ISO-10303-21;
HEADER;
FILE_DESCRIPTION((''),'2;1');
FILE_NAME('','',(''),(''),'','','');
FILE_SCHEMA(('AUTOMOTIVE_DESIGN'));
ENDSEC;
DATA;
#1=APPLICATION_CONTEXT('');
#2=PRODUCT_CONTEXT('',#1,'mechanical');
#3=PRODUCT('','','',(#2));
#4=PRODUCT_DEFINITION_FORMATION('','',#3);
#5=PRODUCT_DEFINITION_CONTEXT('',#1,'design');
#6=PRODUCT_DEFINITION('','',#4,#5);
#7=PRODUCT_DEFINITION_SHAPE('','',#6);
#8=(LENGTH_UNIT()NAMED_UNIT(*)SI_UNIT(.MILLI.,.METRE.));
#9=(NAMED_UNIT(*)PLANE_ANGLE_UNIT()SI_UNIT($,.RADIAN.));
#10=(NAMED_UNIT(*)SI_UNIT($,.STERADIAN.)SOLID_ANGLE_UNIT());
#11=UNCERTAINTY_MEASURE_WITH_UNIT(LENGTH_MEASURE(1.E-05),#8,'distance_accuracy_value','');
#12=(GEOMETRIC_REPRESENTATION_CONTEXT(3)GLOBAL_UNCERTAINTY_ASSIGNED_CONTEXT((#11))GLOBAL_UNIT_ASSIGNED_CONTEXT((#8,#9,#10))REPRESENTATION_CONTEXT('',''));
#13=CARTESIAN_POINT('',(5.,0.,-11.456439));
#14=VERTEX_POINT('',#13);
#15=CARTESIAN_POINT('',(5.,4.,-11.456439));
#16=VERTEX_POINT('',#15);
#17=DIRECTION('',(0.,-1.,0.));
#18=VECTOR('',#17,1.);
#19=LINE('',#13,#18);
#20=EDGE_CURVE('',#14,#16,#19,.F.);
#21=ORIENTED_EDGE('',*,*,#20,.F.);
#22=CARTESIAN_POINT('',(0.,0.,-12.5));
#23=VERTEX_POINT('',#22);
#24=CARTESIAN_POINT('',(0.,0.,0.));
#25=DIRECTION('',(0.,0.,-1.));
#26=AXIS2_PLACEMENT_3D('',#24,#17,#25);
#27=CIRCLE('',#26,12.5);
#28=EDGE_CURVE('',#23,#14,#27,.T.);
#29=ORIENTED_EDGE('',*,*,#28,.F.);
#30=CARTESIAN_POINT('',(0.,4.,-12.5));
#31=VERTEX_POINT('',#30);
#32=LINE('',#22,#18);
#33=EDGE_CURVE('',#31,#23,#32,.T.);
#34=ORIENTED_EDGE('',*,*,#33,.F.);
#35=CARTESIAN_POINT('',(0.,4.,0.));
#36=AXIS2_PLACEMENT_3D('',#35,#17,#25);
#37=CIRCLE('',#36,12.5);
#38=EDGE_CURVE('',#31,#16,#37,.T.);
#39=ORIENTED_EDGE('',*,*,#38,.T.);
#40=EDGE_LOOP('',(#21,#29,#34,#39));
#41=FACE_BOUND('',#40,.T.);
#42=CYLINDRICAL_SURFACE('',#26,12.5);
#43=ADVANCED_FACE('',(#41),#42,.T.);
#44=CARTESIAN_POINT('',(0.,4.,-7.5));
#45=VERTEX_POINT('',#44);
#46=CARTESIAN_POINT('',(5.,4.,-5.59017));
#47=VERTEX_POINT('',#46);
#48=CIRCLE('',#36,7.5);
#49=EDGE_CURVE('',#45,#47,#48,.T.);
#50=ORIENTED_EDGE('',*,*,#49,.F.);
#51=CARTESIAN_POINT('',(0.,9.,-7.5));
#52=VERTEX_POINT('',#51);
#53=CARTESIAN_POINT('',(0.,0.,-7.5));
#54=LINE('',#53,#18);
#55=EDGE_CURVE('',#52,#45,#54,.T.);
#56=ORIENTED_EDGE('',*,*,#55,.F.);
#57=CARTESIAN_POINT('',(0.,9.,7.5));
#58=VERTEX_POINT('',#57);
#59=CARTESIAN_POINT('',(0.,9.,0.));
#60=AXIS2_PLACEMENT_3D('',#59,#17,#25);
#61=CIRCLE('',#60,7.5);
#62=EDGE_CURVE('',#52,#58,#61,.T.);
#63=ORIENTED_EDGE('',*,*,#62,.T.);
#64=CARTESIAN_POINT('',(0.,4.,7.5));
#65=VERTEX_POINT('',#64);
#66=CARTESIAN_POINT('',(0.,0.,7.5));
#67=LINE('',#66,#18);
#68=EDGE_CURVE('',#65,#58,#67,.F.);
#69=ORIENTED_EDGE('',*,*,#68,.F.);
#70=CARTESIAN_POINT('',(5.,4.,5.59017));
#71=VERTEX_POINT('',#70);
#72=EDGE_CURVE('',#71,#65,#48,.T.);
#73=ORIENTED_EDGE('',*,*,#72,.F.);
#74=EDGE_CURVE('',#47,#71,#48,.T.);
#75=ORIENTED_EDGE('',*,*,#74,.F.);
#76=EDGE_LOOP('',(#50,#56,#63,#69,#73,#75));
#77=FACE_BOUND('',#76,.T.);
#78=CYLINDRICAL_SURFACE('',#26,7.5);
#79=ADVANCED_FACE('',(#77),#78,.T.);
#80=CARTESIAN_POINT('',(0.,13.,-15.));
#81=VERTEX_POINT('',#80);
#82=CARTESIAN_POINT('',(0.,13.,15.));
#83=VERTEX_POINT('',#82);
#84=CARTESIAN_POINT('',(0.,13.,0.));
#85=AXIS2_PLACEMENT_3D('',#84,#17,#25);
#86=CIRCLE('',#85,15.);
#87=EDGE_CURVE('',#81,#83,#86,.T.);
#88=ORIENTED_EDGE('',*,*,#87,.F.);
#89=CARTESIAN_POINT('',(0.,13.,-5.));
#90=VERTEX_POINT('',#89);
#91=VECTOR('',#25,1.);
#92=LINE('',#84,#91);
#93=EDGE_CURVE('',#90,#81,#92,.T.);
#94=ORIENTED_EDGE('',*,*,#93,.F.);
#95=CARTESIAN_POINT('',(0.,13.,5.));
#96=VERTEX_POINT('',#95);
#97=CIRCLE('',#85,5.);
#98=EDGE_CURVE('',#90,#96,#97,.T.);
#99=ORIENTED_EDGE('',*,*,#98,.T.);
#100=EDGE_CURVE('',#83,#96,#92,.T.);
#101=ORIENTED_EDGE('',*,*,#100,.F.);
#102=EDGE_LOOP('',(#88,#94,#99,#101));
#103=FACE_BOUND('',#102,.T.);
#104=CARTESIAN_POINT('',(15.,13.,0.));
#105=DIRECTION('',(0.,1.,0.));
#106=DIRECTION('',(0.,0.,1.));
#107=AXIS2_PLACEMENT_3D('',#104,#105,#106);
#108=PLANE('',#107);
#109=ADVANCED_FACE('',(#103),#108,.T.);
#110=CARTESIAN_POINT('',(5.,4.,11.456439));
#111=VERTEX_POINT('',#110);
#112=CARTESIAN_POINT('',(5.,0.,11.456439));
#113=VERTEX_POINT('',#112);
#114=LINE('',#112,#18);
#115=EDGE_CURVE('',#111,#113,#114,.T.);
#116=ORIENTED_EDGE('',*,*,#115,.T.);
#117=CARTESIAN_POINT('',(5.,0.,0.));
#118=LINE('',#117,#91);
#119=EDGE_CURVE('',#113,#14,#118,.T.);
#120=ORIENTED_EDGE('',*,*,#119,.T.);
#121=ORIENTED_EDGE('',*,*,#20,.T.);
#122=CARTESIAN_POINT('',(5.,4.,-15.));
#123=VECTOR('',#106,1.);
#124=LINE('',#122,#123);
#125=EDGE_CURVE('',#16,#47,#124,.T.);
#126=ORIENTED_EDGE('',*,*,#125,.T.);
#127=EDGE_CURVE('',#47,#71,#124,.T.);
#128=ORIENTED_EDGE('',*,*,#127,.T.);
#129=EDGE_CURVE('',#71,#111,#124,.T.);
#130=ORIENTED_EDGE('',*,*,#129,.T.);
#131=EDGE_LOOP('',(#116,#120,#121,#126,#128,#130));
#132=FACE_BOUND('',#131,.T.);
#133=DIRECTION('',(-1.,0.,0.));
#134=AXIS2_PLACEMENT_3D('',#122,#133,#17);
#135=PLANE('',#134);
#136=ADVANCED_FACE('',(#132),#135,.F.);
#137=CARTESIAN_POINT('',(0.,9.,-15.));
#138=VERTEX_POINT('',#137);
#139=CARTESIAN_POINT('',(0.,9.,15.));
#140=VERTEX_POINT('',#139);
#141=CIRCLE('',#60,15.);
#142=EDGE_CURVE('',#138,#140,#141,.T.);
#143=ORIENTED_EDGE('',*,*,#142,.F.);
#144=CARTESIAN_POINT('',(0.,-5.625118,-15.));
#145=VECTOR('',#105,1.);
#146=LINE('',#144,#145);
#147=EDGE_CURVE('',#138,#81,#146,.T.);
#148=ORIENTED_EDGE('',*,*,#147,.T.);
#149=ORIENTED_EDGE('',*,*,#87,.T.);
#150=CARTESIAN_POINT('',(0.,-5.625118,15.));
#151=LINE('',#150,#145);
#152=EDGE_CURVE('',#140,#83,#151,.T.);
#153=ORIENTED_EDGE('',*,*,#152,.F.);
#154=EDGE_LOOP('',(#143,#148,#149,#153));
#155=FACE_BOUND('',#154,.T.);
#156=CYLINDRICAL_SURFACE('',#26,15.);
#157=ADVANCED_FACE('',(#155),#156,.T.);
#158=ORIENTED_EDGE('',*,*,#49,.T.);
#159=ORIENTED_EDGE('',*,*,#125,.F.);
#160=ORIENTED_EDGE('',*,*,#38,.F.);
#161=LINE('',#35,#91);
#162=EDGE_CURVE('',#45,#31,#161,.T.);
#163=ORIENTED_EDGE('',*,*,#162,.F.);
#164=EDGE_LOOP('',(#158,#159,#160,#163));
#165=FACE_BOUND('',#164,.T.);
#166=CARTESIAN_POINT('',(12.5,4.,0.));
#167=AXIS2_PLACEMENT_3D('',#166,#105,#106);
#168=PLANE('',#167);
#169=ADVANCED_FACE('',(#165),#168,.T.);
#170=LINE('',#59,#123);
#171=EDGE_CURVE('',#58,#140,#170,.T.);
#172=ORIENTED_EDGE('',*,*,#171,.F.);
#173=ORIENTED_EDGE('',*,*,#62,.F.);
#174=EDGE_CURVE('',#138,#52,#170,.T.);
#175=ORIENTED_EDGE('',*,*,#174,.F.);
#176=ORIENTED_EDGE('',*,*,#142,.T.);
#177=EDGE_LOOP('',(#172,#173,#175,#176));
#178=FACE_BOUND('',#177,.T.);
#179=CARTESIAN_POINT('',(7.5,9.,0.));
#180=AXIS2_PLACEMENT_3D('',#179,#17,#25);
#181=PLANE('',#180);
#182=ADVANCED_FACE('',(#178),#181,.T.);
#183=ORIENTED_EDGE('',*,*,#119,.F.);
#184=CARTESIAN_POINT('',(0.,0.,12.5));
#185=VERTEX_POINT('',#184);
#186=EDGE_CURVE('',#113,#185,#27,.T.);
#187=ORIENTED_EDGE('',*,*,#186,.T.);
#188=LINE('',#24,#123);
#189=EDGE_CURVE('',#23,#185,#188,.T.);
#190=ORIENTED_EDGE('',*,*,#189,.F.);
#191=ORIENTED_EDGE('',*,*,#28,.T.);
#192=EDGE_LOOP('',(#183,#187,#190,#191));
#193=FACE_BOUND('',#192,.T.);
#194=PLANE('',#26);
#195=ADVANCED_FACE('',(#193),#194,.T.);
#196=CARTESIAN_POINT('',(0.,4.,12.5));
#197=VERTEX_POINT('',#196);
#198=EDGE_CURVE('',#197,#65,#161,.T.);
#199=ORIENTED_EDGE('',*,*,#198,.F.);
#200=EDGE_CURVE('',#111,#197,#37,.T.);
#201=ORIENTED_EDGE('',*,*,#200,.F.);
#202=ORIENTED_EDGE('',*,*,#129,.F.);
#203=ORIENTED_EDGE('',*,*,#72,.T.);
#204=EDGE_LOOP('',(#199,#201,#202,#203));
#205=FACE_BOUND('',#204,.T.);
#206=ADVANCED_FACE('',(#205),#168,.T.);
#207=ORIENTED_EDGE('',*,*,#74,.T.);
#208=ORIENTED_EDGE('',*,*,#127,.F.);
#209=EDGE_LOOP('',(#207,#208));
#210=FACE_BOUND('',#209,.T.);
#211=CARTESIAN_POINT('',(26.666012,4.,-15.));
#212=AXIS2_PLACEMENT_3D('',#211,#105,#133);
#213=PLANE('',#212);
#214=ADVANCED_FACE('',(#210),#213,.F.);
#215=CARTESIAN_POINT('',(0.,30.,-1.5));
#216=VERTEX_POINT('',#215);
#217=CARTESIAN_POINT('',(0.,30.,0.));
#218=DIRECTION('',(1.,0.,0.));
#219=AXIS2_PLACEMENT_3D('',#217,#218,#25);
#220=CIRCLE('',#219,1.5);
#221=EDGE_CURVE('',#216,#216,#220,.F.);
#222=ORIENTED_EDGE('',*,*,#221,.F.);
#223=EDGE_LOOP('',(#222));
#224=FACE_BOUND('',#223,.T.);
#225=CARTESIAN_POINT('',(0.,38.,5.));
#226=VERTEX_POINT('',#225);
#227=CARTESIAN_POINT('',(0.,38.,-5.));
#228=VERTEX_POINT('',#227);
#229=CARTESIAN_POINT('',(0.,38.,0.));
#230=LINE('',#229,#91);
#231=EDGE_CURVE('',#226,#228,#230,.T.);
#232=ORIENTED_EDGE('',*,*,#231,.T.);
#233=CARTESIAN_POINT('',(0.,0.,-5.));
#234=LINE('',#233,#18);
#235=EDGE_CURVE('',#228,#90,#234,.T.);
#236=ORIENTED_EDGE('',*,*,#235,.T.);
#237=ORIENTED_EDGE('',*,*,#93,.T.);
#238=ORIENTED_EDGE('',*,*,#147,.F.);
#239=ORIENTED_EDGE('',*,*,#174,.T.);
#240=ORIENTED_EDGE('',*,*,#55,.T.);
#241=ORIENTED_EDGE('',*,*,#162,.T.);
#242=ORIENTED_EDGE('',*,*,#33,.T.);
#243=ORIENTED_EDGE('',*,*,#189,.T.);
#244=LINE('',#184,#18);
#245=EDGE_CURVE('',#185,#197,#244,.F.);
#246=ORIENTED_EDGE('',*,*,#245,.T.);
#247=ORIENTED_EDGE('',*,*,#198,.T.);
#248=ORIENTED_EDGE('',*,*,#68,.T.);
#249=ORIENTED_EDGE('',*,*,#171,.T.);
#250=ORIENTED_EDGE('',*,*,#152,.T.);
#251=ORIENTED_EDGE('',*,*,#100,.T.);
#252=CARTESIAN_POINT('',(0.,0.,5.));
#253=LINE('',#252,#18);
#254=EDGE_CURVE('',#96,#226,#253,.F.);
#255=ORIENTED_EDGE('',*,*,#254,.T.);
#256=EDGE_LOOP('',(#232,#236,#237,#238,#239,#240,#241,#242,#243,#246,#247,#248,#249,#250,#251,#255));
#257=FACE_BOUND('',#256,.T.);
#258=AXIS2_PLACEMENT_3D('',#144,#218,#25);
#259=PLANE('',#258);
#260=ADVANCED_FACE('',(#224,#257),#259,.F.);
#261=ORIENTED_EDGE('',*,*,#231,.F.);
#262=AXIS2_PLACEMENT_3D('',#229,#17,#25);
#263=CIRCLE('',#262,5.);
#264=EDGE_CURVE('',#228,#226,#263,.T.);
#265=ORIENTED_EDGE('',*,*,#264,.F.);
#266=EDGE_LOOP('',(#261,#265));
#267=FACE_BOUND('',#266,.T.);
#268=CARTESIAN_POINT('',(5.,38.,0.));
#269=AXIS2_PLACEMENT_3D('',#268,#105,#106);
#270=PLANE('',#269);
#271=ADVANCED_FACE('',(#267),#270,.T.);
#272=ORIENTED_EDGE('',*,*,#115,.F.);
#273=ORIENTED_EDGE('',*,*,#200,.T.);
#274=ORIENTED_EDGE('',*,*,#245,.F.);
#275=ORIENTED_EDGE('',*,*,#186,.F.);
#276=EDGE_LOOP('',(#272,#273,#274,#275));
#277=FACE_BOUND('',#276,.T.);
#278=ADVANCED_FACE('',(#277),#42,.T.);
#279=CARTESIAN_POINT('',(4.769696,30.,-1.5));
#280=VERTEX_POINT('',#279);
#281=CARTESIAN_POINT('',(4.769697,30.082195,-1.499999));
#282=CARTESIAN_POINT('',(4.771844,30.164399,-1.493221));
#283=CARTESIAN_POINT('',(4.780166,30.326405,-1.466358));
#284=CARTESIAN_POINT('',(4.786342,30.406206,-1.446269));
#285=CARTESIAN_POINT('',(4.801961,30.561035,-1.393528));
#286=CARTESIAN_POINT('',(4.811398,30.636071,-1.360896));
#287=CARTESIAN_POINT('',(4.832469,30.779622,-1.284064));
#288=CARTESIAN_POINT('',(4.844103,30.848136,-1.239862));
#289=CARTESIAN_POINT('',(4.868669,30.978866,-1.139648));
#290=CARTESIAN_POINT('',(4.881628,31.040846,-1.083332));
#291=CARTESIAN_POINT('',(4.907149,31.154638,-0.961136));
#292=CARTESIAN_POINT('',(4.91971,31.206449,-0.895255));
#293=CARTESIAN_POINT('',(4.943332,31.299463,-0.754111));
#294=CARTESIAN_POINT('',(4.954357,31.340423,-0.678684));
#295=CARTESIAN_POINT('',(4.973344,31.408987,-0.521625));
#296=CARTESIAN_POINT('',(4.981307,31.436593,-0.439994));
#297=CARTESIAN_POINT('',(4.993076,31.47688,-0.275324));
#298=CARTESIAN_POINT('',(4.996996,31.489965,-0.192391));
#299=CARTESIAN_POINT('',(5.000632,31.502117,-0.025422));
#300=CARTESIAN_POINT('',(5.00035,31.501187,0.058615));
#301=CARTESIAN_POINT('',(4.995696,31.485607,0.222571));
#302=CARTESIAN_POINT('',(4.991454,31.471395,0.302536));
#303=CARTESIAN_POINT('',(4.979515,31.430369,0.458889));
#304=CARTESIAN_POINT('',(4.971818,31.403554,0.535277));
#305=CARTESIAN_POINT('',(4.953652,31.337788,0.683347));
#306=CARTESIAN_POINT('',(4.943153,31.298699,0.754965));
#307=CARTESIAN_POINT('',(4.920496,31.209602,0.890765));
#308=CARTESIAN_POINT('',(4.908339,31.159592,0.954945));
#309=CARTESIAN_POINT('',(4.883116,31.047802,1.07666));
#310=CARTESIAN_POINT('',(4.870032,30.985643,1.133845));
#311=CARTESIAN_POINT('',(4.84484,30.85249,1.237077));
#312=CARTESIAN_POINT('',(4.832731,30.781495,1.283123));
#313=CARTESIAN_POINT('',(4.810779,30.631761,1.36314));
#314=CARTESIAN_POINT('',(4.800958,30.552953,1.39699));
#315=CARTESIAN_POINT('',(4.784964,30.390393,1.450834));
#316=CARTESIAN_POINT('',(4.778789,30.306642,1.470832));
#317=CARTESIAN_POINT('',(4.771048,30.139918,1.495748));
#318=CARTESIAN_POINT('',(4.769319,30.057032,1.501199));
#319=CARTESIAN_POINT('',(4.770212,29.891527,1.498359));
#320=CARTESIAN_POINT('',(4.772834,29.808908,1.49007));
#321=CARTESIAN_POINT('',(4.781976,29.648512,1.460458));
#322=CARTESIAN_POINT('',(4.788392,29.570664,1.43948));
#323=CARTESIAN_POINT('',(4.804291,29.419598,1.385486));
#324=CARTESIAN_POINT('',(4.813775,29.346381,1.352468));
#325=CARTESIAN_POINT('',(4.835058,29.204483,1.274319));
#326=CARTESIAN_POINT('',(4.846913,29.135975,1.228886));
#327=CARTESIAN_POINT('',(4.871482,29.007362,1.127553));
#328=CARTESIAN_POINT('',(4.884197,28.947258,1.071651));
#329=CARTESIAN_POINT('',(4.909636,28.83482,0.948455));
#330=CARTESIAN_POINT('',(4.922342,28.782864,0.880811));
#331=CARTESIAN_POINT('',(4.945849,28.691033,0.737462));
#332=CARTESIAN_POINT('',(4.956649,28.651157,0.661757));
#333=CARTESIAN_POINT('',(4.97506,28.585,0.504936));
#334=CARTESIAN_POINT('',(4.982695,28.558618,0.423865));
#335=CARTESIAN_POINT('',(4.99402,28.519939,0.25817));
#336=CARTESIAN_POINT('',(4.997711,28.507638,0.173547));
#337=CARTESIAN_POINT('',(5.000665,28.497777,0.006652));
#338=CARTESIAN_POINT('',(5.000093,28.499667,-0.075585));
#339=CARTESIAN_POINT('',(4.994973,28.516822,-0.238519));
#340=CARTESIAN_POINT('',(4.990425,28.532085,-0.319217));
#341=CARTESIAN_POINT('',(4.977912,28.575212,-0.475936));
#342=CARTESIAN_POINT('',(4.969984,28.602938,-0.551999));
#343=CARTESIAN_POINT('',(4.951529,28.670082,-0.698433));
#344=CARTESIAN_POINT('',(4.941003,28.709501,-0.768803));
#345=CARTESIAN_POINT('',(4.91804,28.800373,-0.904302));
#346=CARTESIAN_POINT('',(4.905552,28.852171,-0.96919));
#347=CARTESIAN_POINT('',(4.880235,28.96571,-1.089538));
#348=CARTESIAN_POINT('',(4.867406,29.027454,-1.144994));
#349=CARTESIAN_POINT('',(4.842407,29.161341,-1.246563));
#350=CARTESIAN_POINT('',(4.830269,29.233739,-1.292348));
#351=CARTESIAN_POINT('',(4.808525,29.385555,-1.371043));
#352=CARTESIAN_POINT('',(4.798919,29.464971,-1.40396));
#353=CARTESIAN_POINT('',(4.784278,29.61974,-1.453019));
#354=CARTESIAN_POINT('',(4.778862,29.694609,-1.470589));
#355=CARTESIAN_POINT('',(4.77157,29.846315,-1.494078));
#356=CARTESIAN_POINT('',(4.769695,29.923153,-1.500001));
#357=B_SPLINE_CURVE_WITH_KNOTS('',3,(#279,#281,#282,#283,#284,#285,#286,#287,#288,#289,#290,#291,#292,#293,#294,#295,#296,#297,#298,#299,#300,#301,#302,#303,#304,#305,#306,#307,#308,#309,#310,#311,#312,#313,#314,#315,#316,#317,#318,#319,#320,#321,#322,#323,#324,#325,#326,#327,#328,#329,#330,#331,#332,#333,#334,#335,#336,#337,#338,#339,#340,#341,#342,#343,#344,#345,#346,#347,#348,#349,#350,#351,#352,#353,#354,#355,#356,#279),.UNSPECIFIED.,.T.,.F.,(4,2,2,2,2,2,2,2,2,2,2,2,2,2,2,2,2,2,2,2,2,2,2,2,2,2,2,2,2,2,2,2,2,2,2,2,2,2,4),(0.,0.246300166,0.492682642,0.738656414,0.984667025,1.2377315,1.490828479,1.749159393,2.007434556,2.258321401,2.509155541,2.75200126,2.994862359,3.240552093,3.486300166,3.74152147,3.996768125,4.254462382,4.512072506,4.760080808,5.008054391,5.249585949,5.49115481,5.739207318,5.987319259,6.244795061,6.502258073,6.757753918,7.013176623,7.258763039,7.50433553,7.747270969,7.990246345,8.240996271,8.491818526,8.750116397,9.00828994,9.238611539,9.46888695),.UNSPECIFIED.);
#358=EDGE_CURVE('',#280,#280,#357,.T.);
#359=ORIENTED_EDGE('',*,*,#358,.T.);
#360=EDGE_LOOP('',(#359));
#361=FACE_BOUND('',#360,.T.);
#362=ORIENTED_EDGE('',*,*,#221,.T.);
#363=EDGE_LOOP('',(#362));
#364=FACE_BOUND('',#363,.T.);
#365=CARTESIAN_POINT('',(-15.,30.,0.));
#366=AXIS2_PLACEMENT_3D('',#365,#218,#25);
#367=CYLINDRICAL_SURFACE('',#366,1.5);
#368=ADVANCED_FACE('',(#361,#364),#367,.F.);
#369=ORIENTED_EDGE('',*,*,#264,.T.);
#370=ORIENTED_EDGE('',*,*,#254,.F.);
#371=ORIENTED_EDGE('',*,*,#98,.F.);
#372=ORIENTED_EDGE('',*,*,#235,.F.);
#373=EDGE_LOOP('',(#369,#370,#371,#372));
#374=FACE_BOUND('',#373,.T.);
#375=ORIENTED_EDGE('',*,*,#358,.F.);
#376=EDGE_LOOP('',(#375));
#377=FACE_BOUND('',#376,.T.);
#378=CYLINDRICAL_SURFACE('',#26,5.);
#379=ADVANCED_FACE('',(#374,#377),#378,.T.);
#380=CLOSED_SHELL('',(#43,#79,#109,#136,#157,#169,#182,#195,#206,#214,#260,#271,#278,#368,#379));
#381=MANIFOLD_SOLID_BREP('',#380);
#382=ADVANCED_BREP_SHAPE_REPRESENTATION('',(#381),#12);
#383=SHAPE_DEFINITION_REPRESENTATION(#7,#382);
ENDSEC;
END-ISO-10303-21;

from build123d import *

# Parameters (mm, degrees)
CUT_EXTRUDE1_DEPTH      = 44.520110294
CUT_EXTRUDE1_DEPTH_BACK = 44.520110294
SKETCH2_W               = 21.666012185
SKETCH2_H               = 9.766463862
CUT_EXTRUDE2_DEPTH      = 44.520110294
CUT_EXTRUDE2_DEPTH_BACK = 44.520110294
SKETCH3_R               = 1.5
CUT_EXTRUDE3_DEPTH      = 44.520110381
CUT_EXTRUDE3_DEPTH_BACK = 44.520110381
SKETCH4_W               = 24.279573728
SKETCH4_H               = 56.824995672


with BuildPart() as part:
    # Sketch1 → Revolve1 (revolve)
    with BuildSketch(Plane.XY, mode=Mode.PRIVATE) as revolve1_sk:
        Polygon((0, 0), (0, 38), (5, 38), (5, 13), (15, 13), (15, 9), (7.5, 9), (7.5, 4), (12.5, 4), (12.5, 0), align=None)
    revolve(revolve1_sk.sketch.rotate(Axis((0, 0, 0), (0, 1, 0)), 90), axis=Axis((0, 0, 0), (0, 1, 0)))

    # Sketch2 → Cut-Extrude1 (cut, two sides: drawn at the far end of the back side and taken through both)
    with BuildSketch(Plane.XY.offset(-CUT_EXTRUDE1_DEPTH_BACK)):
        with Locations((15.833006093, -0.883231931)):
            Rectangle(SKETCH2_W, SKETCH2_H)
    extrude(amount=CUT_EXTRUDE1_DEPTH + CUT_EXTRUDE1_DEPTH_BACK, mode=Mode.SUBTRACT)

    # Sketch3 → Cut-Extrude2 (cut, two sides: drawn at the far end of the back side and taken through both)
    with BuildSketch(Plane(origin=(0, 0, 0), x_dir=(0, 0, -1), z_dir=(1, 0, 0)).offset(-CUT_EXTRUDE2_DEPTH_BACK)):
        with Locations((0, 30)):
            Circle(SKETCH3_R)
    extrude(amount=CUT_EXTRUDE2_DEPTH + CUT_EXTRUDE2_DEPTH_BACK, mode=Mode.SUBTRACT)

    # Sketch4 → Cut-Extrude3 (cut, two sides: drawn at the far end of the back side and taken through both)
    with BuildSketch(Plane.XY.offset(-CUT_EXTRUDE3_DEPTH_BACK)):
        with Locations((-12.139786864, 22.787379867)):
            Rectangle(SKETCH4_W, SKETCH4_H)
    extrude(amount=CUT_EXTRUDE3_DEPTH + CUT_EXTRUDE3_DEPTH_BACK, mode=Mode.SUBTRACT)


solid = part.part
